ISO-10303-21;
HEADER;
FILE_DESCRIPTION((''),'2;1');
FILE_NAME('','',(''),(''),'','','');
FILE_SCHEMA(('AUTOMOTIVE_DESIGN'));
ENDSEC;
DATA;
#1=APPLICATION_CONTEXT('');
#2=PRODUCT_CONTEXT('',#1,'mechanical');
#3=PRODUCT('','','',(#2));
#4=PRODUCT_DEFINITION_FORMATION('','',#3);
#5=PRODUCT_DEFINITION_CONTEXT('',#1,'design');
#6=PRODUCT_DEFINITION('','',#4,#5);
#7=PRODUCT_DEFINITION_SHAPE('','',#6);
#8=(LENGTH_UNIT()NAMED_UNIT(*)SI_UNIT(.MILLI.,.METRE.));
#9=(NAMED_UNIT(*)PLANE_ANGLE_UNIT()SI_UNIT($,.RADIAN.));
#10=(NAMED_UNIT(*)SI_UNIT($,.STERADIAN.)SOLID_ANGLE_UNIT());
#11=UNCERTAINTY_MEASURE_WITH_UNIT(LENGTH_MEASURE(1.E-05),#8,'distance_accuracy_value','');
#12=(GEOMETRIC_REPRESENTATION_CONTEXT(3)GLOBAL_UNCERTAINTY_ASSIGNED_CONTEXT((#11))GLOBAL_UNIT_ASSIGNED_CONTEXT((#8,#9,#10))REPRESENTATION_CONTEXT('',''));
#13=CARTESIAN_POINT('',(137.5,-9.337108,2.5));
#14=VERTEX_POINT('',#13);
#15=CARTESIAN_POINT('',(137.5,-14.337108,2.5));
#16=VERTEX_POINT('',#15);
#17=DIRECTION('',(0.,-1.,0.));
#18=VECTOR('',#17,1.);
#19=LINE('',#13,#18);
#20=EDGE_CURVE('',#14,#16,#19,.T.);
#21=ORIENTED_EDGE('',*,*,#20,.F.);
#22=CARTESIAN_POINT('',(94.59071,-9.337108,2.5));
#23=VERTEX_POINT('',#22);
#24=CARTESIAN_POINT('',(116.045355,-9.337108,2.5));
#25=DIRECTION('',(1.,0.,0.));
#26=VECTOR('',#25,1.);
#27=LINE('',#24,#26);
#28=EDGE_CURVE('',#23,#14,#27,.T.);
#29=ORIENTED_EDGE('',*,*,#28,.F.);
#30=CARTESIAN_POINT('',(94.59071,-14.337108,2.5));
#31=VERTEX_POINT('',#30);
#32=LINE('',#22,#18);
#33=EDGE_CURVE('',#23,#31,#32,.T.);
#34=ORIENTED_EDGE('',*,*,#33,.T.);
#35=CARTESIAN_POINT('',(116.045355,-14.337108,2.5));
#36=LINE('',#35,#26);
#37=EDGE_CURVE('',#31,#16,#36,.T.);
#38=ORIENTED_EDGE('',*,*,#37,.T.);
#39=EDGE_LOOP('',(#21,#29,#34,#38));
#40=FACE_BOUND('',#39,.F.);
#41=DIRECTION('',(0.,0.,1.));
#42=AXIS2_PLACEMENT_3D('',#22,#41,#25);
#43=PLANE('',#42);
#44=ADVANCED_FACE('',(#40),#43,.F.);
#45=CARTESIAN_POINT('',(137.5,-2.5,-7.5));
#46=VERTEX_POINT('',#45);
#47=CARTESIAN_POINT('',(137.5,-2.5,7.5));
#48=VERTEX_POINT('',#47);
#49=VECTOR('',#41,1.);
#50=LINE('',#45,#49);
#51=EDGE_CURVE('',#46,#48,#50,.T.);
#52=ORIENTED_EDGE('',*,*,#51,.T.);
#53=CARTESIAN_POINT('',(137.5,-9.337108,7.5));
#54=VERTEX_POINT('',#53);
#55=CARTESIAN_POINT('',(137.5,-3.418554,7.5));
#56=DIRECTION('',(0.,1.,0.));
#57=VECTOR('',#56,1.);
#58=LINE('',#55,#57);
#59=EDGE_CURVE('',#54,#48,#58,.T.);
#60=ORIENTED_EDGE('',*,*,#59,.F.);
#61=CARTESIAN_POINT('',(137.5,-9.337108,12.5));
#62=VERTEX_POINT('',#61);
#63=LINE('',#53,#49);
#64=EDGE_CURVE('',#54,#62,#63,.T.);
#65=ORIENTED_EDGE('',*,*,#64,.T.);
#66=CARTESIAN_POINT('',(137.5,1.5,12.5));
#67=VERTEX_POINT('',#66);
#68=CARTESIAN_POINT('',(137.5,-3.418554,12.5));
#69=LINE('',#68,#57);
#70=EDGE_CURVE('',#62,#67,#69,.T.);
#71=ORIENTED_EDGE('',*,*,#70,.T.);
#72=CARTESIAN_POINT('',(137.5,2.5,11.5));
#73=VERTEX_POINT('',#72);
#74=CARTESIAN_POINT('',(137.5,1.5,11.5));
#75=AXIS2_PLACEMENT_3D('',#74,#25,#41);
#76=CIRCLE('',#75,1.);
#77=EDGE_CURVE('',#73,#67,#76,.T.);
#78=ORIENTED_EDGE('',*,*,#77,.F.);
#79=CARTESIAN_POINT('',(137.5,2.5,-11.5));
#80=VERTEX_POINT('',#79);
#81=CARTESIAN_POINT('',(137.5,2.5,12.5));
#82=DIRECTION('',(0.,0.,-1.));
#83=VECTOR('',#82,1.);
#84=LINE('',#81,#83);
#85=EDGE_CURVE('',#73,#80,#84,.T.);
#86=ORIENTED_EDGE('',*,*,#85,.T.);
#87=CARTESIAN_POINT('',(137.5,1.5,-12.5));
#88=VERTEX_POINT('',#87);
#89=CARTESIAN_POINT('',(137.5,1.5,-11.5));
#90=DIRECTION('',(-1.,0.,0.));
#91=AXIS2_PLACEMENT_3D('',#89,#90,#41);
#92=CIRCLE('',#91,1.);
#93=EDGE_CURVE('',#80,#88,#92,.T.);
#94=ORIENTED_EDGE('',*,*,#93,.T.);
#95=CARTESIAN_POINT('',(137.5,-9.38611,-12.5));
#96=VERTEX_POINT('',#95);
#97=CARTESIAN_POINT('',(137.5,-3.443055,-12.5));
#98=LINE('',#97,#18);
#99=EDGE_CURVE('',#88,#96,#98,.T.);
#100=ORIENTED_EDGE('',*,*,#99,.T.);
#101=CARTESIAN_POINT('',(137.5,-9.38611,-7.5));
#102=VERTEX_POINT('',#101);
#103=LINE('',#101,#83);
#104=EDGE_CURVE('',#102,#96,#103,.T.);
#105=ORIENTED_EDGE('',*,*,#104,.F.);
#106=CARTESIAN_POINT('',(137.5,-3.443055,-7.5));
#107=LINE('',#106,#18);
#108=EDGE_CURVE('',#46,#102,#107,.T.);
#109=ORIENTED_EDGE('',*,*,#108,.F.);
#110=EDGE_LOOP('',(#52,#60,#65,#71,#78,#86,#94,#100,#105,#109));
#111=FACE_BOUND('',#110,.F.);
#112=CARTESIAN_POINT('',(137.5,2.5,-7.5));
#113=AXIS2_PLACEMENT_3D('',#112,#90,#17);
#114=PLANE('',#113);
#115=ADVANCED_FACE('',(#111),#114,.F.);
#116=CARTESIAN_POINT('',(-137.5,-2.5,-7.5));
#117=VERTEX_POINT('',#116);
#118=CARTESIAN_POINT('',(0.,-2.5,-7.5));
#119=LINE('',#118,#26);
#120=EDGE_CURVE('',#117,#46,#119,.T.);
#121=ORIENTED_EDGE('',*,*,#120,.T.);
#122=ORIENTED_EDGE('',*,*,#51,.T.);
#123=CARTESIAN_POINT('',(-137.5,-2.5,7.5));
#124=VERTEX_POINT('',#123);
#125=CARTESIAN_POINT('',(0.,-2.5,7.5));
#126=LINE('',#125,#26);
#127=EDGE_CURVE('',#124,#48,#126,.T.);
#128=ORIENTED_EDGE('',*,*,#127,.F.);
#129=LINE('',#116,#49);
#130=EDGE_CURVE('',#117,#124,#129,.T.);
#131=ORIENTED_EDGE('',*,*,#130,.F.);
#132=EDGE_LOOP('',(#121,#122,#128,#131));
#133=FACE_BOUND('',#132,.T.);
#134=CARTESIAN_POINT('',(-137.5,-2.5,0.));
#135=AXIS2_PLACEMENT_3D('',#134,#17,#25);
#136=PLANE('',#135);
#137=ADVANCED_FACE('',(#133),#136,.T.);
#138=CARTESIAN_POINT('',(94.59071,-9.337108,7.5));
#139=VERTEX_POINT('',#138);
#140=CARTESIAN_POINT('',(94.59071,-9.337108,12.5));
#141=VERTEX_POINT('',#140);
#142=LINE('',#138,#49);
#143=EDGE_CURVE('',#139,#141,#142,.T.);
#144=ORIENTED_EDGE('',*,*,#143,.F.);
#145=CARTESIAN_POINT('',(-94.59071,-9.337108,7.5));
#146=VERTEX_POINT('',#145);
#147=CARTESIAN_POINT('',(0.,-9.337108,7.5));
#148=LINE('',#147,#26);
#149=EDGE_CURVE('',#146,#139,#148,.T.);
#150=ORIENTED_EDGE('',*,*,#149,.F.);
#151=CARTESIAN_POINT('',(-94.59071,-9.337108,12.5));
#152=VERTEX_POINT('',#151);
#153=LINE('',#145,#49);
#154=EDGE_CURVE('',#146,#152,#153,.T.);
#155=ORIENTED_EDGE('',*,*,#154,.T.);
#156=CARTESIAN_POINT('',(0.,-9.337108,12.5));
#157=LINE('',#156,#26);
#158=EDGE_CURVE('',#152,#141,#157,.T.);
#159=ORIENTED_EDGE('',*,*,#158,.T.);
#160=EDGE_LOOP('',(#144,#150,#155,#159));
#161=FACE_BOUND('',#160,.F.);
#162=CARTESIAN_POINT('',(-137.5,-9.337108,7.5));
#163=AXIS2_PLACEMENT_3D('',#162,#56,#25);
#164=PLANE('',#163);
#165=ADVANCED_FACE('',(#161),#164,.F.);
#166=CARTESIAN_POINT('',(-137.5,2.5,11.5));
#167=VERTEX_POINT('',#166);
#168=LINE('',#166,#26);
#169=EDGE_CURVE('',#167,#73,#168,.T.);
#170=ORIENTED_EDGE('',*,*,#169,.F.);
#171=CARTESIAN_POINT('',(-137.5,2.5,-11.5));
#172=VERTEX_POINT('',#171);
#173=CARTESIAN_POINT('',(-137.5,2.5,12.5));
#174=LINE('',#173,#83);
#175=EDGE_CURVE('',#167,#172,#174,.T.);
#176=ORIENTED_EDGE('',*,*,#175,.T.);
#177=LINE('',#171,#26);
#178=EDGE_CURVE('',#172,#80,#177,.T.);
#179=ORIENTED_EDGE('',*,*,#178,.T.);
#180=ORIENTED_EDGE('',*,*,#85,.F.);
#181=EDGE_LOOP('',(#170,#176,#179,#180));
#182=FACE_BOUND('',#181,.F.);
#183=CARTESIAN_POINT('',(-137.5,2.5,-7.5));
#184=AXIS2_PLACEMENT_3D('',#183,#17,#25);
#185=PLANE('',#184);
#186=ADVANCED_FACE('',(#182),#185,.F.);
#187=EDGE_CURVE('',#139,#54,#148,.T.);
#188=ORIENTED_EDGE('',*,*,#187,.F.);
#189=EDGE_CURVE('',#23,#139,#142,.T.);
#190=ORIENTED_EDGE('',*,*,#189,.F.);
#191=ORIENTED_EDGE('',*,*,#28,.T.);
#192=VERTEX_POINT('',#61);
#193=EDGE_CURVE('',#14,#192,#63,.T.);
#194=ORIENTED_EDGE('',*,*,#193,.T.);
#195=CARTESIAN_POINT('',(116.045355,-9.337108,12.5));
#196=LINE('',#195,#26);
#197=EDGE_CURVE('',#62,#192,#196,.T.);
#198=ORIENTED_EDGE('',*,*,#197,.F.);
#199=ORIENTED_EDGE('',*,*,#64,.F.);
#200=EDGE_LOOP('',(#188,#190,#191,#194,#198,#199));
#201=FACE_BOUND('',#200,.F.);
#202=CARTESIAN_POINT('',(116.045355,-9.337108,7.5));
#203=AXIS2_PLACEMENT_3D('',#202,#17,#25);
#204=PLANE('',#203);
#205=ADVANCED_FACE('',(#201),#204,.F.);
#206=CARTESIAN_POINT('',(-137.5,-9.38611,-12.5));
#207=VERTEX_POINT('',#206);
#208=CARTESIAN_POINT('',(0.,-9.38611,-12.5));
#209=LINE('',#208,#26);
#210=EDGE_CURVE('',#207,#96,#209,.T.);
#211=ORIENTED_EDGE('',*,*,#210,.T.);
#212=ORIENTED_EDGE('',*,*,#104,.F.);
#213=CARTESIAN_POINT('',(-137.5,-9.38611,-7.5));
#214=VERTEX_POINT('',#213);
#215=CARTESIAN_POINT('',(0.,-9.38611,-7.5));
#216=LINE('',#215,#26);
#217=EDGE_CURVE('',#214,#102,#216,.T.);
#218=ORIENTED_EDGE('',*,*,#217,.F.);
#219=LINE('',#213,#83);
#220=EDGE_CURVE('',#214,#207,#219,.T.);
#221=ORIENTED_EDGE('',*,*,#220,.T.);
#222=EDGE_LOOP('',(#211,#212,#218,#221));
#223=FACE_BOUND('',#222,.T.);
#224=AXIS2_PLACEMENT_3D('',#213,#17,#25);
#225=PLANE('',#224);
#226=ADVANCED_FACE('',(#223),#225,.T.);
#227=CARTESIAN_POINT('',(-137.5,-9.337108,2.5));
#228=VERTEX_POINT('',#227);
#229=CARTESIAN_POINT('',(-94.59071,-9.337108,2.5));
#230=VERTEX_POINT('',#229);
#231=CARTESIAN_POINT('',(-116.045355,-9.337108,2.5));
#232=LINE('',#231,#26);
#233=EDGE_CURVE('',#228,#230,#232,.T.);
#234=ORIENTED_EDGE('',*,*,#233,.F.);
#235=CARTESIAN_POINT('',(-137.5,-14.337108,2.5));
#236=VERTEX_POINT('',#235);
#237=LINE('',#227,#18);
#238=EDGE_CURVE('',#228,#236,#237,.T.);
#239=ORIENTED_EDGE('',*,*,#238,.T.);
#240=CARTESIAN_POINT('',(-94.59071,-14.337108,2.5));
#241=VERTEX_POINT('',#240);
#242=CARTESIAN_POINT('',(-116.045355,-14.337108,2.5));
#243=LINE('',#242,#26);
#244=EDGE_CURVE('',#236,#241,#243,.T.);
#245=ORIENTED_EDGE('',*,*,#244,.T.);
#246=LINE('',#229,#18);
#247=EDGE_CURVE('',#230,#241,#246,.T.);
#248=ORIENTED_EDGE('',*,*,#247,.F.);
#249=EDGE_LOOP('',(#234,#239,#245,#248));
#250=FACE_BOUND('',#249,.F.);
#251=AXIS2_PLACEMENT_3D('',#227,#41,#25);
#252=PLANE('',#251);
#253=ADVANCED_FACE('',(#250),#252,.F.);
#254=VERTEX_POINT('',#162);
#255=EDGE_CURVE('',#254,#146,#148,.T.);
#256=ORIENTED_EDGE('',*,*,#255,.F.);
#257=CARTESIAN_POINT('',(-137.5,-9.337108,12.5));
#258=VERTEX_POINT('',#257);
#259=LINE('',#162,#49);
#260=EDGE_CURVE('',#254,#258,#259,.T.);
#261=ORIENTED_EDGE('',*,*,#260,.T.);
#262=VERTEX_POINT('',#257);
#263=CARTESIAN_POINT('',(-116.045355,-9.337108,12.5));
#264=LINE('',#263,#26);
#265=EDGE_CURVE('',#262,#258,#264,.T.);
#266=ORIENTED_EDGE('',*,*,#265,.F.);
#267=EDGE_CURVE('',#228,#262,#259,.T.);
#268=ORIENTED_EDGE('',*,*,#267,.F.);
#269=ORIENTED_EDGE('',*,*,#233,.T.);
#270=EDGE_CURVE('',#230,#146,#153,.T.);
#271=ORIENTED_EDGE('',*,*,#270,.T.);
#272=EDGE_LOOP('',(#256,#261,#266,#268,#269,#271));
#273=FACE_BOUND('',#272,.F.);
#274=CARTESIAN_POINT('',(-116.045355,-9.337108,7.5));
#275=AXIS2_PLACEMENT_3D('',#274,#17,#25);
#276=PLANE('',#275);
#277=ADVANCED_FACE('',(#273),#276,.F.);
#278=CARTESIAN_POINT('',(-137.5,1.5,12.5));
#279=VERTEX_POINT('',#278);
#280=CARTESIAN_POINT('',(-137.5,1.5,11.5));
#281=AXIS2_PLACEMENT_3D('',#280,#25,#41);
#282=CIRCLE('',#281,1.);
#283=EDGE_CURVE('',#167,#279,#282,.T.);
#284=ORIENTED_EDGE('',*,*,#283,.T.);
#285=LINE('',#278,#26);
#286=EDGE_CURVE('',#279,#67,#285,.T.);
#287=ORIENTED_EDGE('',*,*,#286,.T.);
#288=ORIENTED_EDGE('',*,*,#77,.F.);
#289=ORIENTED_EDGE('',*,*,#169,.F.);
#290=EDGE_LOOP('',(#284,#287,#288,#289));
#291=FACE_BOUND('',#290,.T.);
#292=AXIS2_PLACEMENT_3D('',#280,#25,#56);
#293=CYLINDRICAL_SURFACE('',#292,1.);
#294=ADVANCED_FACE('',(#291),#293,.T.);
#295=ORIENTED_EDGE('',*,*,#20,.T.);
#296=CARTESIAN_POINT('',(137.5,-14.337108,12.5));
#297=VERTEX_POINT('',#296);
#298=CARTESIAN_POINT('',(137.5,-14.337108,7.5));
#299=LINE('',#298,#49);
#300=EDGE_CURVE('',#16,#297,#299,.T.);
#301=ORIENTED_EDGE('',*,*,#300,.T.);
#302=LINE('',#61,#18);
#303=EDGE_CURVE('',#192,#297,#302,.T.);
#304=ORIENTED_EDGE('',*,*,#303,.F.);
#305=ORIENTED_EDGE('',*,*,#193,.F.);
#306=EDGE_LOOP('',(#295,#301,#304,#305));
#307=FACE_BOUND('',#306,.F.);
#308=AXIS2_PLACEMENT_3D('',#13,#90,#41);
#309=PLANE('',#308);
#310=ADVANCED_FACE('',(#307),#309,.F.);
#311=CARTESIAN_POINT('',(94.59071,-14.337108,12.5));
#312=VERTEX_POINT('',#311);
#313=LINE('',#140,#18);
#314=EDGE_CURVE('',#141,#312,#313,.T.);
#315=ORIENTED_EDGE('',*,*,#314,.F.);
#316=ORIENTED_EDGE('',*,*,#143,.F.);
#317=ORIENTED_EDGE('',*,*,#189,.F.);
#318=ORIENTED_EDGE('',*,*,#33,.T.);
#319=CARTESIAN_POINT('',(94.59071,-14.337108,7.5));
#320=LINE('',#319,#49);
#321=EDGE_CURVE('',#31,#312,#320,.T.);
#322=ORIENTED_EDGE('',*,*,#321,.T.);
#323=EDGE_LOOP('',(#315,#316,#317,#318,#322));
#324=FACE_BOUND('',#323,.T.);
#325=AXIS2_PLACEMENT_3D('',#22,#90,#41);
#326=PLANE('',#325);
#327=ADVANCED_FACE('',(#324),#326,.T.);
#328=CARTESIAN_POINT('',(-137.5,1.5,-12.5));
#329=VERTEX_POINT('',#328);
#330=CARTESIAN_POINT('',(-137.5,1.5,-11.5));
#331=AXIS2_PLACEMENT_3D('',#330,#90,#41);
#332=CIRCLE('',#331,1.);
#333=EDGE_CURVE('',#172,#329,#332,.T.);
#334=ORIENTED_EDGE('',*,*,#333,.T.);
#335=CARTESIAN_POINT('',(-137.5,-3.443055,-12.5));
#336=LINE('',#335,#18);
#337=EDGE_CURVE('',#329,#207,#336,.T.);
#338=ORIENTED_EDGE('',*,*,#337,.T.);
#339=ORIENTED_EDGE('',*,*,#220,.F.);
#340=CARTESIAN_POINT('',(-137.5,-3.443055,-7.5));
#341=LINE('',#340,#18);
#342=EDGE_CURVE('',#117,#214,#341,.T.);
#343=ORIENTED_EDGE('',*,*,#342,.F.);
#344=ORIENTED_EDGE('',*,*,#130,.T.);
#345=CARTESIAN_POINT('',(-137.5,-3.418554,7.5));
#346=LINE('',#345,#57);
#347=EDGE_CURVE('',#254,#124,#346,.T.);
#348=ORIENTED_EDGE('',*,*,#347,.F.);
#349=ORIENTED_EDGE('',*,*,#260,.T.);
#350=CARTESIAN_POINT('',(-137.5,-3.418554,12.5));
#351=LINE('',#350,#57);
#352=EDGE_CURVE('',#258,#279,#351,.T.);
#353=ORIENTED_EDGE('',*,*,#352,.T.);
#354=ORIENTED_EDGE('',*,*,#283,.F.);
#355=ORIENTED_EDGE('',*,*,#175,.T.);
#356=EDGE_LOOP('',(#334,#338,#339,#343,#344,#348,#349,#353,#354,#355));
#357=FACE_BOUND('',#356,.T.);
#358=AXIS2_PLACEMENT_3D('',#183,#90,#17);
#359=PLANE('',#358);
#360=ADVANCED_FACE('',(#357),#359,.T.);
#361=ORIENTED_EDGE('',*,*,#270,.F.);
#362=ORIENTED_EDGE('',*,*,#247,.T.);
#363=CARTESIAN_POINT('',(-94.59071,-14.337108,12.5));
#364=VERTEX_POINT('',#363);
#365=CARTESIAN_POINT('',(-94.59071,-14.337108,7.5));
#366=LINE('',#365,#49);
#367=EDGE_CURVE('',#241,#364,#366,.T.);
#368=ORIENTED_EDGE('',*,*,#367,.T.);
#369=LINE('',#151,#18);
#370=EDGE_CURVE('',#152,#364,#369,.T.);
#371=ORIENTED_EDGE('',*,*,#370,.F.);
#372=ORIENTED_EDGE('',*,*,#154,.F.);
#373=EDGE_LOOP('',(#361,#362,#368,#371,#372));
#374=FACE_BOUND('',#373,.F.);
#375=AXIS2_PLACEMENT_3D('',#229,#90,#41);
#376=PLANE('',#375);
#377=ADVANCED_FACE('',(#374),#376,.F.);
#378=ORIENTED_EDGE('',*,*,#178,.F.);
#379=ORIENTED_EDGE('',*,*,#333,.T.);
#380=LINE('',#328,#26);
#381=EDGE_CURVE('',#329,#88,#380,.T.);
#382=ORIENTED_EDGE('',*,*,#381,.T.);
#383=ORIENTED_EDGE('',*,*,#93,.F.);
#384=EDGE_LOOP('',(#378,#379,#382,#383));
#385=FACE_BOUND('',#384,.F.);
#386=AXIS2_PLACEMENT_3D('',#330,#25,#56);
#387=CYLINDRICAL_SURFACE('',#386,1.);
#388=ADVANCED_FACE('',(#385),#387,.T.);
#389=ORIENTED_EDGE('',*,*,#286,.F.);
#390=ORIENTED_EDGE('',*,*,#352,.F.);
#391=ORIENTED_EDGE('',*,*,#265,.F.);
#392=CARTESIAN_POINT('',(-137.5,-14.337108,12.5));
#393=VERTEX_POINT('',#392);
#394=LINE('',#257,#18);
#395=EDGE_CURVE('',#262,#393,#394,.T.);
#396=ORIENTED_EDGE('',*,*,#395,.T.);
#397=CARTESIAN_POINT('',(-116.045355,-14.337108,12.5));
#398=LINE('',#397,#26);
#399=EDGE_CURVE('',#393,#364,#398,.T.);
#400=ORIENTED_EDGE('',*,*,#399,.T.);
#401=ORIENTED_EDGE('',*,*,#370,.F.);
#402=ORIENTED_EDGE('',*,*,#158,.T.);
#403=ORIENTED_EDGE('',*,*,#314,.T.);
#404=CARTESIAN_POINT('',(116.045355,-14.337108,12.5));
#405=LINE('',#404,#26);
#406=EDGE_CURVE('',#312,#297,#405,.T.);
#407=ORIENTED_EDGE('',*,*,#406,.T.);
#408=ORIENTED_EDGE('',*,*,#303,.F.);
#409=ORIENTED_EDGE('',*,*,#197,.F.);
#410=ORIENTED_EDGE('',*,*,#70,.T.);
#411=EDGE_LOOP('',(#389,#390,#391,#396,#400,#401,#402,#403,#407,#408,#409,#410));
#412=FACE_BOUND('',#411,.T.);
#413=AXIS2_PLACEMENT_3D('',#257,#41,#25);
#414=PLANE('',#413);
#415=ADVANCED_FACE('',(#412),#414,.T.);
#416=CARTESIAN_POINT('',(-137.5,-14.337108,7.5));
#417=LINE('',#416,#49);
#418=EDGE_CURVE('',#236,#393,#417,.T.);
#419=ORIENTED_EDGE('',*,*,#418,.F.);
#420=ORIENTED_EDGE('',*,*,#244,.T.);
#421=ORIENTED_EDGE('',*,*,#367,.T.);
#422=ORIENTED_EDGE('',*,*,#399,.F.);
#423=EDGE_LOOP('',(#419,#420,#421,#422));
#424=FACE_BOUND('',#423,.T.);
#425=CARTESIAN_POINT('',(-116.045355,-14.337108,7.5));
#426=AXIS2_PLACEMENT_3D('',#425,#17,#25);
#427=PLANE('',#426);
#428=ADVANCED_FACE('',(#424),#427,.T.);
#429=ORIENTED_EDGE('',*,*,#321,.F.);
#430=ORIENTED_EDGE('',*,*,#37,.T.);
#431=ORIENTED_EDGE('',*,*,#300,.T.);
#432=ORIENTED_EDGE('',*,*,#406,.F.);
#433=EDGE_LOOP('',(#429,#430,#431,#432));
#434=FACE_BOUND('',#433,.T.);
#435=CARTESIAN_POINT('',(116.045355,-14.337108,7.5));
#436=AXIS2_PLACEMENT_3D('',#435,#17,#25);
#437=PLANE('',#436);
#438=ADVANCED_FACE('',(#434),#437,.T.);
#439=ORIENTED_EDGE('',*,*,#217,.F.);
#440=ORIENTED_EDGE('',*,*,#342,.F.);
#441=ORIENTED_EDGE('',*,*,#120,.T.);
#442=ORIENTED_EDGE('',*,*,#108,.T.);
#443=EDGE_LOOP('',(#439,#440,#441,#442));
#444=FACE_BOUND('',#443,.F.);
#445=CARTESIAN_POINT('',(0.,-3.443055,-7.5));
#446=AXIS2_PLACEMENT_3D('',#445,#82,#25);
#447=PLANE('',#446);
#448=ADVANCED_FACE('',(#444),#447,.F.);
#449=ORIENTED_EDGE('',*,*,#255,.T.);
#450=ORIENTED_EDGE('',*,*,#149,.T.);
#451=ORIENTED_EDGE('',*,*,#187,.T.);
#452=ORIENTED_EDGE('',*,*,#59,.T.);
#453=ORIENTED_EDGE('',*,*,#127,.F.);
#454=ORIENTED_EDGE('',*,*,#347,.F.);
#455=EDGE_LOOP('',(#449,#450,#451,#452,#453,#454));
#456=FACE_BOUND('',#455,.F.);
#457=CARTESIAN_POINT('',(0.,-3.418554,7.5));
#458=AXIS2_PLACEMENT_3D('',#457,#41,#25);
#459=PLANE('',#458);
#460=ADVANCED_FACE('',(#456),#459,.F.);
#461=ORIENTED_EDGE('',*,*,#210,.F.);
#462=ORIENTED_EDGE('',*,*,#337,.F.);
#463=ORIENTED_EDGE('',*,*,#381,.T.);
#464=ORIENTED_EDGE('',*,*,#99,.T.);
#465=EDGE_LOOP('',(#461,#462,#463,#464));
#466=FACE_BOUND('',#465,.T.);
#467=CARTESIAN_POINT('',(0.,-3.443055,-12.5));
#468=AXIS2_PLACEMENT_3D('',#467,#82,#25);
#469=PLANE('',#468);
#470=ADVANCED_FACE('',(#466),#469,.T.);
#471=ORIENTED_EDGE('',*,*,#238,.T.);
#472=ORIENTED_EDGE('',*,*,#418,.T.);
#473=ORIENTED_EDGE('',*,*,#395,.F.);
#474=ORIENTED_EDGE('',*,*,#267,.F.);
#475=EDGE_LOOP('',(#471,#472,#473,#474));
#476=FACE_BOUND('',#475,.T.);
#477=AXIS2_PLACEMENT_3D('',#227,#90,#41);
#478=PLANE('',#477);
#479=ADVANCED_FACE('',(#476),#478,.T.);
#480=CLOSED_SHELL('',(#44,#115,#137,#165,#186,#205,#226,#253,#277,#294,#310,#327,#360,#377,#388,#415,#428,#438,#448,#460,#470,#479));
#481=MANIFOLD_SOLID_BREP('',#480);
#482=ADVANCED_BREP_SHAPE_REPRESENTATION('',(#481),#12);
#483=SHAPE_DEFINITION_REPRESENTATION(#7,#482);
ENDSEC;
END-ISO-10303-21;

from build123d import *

# Parameters (mm, degrees)
F0_W     = 275
F0_H     = 5
F1_DEPTH = 7.5
F2_W     = 275
F2_H     = 11.837108
F3_DEPTH = 5
F4_W     = 42.909291
F4_H     = 10
F5_DEPTH = 5
F6_W     = 275
F6_H     = 11.88611
F7_DEPTH = 5
F8_R     = 1


with BuildPart() as f1:
    # F0 (on Top) → F1 (new body, symmetric)
    with BuildSketch(Plane.XY):
        Rectangle(F0_W, F0_H)
    extrude(amount=F1_DEPTH, both=True)

    # F2 (on face) → F3 (join)
    with BuildSketch(Plane.XY.offset(7.5)):
        with Locations((0, -3.418554)):
            Rectangle(F2_W, F2_H)
    extrude(amount=F3_DEPTH)

    # F4 (on face) → F5 (join)
    with BuildSketch(Plane.XZ.offset(9.337108)):
        with Locations((-116.045355, 7.5)):
            Rectangle(F4_W, F4_H)
        with Locations((116.045355, 7.5)):
            Rectangle(F4_W, F4_H)
    extrude(amount=F5_DEPTH)

    # F6 (on face) → F7 (join)
    with BuildSketch(Plane(origin=(0, 0, -7.5), x_dir=(1, 0, 0), z_dir=(0, 0, -1))):
        with Locations((0, 3.443055)):
            Rectangle(F6_W, F6_H)
    extrude(amount=F7_DEPTH)

    # F8
    f8_edges = [f1.edges().sort_by_distance(p)[0] for p in [
        (0, 2.5, 12.5),
        (0, 2.5, -12.5),
    ]]
    fillet(f8_edges, radius=F8_R)


solid = f1.part
